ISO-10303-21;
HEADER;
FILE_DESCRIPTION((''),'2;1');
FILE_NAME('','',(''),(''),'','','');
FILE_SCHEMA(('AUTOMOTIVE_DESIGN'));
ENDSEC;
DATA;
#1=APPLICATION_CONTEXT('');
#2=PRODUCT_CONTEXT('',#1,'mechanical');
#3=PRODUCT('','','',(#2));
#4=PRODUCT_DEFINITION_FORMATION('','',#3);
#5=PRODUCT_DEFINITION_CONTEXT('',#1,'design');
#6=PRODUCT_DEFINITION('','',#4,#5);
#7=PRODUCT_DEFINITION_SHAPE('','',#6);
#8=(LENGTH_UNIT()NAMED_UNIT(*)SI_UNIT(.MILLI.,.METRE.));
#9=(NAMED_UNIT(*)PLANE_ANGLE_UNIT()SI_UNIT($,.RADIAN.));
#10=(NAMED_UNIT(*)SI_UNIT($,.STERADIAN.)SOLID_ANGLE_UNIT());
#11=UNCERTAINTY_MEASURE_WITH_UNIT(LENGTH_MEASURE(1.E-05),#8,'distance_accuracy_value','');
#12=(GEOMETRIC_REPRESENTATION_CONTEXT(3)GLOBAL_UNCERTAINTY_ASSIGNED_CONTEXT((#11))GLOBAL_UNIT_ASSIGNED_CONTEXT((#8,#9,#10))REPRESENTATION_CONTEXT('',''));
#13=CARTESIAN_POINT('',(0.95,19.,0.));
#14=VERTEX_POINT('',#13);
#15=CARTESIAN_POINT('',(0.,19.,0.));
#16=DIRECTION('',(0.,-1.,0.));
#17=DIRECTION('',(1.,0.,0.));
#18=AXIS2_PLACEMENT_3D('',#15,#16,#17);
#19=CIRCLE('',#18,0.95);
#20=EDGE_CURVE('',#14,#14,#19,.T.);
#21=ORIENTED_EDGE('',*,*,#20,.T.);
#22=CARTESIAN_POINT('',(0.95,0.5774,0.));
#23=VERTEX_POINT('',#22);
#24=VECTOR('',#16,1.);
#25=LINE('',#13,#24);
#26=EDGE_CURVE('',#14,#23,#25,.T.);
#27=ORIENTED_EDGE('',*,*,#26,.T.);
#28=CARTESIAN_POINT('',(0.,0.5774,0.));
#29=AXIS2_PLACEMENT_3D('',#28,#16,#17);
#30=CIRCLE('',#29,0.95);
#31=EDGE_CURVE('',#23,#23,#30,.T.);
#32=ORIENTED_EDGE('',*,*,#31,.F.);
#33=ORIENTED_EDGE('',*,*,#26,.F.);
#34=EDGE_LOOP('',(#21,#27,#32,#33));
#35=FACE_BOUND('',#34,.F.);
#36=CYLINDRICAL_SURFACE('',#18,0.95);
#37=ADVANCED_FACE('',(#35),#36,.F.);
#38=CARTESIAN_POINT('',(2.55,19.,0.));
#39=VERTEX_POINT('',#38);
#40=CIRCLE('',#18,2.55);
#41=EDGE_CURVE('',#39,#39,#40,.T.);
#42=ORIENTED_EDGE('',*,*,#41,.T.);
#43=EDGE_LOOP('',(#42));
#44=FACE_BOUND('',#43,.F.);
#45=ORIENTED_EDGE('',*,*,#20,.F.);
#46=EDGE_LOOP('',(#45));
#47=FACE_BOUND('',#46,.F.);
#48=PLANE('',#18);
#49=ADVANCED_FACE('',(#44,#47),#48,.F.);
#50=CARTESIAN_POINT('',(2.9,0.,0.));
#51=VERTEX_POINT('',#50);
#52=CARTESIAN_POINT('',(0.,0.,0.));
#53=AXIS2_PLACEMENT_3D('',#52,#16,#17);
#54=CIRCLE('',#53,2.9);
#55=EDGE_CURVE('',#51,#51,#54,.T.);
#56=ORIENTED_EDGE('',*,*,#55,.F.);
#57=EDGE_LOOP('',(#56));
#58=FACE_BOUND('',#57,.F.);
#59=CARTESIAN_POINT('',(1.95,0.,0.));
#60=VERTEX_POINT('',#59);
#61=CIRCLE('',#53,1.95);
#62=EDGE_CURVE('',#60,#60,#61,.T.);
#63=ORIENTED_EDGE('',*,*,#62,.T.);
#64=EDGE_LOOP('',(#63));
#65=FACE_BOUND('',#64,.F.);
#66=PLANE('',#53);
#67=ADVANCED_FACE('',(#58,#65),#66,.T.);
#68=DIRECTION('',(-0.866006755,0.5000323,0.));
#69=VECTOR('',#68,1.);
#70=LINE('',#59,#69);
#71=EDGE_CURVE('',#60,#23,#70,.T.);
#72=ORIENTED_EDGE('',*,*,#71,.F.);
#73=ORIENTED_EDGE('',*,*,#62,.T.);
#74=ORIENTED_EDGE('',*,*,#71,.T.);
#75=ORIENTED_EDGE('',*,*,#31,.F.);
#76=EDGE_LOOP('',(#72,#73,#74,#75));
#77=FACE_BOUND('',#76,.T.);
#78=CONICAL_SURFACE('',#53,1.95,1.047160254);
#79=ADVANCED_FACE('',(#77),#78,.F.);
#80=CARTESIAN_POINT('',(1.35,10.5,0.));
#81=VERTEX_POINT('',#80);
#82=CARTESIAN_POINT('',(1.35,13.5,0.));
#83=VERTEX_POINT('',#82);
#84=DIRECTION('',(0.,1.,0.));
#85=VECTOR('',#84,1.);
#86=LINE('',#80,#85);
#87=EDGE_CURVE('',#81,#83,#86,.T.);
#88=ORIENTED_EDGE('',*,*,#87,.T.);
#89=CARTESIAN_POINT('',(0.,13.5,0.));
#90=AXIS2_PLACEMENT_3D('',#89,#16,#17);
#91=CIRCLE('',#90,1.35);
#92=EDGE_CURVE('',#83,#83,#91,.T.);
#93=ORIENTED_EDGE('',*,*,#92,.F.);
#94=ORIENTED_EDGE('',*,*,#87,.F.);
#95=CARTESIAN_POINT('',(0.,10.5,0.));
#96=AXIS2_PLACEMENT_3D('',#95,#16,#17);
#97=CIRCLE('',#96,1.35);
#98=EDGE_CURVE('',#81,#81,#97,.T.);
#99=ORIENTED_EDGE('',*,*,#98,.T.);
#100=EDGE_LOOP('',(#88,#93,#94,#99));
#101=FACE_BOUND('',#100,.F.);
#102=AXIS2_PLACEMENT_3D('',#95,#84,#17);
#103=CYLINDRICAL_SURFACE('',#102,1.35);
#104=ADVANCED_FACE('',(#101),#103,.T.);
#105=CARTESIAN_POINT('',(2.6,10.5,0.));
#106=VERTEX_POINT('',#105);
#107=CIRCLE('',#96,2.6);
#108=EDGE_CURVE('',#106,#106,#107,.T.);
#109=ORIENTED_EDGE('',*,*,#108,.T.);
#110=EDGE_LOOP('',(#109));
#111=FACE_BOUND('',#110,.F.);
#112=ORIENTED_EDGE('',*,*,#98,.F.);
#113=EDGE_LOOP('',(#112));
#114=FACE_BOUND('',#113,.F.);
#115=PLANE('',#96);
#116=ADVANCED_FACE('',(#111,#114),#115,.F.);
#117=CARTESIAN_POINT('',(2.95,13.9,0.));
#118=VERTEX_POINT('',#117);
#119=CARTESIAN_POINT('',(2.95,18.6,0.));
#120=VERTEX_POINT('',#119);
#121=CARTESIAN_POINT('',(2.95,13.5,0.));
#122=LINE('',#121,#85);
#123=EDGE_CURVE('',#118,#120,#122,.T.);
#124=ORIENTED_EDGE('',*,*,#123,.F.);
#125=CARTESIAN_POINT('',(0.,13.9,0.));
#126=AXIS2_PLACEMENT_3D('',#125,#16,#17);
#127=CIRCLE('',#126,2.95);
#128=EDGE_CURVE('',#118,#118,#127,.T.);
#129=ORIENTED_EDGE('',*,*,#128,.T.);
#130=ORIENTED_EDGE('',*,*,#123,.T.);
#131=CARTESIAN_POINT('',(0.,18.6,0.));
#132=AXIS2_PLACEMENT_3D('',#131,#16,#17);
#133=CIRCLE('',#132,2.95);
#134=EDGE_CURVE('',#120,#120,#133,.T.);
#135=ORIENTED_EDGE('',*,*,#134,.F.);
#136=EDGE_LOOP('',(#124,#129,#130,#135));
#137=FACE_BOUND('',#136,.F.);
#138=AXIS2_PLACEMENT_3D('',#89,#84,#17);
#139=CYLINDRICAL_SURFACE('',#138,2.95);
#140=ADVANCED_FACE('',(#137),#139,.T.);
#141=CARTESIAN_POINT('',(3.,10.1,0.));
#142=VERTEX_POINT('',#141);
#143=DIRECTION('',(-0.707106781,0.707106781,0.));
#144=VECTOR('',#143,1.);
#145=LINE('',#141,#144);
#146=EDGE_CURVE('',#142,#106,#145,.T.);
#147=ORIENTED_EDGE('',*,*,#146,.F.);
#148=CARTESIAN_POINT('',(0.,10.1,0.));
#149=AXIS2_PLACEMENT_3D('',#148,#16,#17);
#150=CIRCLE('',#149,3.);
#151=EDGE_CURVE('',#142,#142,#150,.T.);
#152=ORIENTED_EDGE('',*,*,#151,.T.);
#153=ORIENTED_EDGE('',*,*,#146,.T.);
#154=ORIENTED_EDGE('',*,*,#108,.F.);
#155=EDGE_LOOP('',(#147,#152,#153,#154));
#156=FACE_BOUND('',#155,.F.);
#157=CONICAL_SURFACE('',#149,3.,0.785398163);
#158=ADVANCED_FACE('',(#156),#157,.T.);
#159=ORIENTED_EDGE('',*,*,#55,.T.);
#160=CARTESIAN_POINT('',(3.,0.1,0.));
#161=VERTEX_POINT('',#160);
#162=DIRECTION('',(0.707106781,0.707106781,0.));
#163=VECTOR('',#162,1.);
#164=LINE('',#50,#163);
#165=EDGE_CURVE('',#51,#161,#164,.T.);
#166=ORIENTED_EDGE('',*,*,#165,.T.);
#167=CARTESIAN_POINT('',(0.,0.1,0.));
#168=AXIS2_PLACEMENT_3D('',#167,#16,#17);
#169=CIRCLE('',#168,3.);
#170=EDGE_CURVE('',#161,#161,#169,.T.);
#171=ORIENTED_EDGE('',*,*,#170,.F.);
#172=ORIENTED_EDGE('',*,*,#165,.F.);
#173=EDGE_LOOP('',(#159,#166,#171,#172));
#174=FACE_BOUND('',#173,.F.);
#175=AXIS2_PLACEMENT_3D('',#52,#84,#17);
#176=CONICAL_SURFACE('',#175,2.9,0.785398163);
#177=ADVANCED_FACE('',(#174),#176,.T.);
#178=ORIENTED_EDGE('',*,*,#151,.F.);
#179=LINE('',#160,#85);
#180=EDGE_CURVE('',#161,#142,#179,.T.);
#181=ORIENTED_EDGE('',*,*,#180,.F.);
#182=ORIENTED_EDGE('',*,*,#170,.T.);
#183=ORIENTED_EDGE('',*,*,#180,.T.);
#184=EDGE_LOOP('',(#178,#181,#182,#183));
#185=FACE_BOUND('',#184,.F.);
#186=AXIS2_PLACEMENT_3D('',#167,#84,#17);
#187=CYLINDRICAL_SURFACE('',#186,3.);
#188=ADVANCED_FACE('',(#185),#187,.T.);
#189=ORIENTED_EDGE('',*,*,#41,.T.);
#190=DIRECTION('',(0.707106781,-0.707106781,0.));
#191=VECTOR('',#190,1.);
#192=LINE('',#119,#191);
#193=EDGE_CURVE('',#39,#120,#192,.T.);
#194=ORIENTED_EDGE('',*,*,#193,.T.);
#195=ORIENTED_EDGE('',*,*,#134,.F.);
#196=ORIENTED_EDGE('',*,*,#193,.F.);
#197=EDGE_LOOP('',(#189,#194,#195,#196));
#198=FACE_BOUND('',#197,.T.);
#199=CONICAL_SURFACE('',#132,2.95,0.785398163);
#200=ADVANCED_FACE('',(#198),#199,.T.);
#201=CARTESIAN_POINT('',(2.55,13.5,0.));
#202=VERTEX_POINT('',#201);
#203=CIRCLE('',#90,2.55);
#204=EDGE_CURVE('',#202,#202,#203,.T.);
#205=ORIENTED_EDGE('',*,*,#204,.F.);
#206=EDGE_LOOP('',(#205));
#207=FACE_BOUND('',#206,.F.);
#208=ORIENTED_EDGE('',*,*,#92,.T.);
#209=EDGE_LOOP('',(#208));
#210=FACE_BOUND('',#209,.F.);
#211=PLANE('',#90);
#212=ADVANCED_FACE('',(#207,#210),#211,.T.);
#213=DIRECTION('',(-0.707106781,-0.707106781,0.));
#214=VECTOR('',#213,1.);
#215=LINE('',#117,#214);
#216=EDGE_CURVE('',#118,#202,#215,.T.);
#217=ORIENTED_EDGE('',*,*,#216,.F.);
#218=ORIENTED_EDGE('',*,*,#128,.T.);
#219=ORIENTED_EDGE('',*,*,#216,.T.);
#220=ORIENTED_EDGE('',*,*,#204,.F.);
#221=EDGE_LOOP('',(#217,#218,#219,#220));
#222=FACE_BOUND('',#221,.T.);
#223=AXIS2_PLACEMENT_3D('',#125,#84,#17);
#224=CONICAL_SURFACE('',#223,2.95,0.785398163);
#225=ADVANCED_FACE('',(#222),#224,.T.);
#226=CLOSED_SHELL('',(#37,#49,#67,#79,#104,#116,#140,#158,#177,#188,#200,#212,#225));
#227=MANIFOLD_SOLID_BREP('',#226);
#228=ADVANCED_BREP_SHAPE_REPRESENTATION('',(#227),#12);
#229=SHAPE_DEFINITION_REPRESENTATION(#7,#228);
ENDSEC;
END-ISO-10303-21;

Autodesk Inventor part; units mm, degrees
ref_plane "YZ Plane" through (0, 0, 0) normal (1, 0, 0) x (0, 1, 0)
ref_plane "XZ Plane" through (0, 0, 0) normal (0, 1, 0) x (-1, 0, 0)
ref_plane "XY Plane" through (0, 0, 0) normal (0, 0, 1) x (1, 0, 0)
sketch "Sketch1" plane through (0, 0, 0) normal (0, 0, 1) x (1, 0, 0)
  line L0 (0, 0) -> (2.9, 0)
  line L1 (3, 0.1) -> (3, 10.5)
  line L2 (3, 10.5) -> (1.35, 10.5)
  line L3 (1.35, 10.5) -> (1.35, 13.5)
  line L4 (1.35, 13.5) -> (2.95, 13.5)
  line L5 (2.95, 13.5) -> (2.95, 19)
  line L6 (2.95, 19) -> (0.95, 19)
  line L7 (0.95, 19) -> (0.95, 0)
  line L8 (2.9, 0) -> (3, 0.1)
  line L9 (0.95, 0) -> (1.95, 0)
  line L10 (1.95, 0) -> (0.95, 0.5774)
  line L11 (0, 17.1506) -> (0, 0) construction
  dimension "d15" = 2.9
  dimension "d16" = 10.4
  dimension "d17" = 1.65
  dimension "d18" = 1.6
  dimension "d19" = 5.5
  dimension "d20" = 90
  dimension "d21" = 2
  dimension "d22" = 90
  dimension "d23" = 1
  dimension "d24" = 30
  dimension "d25" = 19
revolve "Revolution1" add sketch "Sketch1" angle 360 about axis through (0, 17.1506, 0) along (0, -1, 0) contours L10 L7 L6 L5 L4 L3 L2 L1 L8 L0
thread "Thread1" size "M6x1" class "6g" standard "ANSI Metric M Profile" length 5.3
chamfer "Chamfer1" distance 0.4 angle 45 2 edges at (-2.95, 19, 0) (-2.95, 13.5, 0)
chamfer "Chamfer2" distance 0.4 angle 45 1 edges at (-3, 10.5, 0)
properties part number "heatbreak ender 3s1" material "Titanium"
